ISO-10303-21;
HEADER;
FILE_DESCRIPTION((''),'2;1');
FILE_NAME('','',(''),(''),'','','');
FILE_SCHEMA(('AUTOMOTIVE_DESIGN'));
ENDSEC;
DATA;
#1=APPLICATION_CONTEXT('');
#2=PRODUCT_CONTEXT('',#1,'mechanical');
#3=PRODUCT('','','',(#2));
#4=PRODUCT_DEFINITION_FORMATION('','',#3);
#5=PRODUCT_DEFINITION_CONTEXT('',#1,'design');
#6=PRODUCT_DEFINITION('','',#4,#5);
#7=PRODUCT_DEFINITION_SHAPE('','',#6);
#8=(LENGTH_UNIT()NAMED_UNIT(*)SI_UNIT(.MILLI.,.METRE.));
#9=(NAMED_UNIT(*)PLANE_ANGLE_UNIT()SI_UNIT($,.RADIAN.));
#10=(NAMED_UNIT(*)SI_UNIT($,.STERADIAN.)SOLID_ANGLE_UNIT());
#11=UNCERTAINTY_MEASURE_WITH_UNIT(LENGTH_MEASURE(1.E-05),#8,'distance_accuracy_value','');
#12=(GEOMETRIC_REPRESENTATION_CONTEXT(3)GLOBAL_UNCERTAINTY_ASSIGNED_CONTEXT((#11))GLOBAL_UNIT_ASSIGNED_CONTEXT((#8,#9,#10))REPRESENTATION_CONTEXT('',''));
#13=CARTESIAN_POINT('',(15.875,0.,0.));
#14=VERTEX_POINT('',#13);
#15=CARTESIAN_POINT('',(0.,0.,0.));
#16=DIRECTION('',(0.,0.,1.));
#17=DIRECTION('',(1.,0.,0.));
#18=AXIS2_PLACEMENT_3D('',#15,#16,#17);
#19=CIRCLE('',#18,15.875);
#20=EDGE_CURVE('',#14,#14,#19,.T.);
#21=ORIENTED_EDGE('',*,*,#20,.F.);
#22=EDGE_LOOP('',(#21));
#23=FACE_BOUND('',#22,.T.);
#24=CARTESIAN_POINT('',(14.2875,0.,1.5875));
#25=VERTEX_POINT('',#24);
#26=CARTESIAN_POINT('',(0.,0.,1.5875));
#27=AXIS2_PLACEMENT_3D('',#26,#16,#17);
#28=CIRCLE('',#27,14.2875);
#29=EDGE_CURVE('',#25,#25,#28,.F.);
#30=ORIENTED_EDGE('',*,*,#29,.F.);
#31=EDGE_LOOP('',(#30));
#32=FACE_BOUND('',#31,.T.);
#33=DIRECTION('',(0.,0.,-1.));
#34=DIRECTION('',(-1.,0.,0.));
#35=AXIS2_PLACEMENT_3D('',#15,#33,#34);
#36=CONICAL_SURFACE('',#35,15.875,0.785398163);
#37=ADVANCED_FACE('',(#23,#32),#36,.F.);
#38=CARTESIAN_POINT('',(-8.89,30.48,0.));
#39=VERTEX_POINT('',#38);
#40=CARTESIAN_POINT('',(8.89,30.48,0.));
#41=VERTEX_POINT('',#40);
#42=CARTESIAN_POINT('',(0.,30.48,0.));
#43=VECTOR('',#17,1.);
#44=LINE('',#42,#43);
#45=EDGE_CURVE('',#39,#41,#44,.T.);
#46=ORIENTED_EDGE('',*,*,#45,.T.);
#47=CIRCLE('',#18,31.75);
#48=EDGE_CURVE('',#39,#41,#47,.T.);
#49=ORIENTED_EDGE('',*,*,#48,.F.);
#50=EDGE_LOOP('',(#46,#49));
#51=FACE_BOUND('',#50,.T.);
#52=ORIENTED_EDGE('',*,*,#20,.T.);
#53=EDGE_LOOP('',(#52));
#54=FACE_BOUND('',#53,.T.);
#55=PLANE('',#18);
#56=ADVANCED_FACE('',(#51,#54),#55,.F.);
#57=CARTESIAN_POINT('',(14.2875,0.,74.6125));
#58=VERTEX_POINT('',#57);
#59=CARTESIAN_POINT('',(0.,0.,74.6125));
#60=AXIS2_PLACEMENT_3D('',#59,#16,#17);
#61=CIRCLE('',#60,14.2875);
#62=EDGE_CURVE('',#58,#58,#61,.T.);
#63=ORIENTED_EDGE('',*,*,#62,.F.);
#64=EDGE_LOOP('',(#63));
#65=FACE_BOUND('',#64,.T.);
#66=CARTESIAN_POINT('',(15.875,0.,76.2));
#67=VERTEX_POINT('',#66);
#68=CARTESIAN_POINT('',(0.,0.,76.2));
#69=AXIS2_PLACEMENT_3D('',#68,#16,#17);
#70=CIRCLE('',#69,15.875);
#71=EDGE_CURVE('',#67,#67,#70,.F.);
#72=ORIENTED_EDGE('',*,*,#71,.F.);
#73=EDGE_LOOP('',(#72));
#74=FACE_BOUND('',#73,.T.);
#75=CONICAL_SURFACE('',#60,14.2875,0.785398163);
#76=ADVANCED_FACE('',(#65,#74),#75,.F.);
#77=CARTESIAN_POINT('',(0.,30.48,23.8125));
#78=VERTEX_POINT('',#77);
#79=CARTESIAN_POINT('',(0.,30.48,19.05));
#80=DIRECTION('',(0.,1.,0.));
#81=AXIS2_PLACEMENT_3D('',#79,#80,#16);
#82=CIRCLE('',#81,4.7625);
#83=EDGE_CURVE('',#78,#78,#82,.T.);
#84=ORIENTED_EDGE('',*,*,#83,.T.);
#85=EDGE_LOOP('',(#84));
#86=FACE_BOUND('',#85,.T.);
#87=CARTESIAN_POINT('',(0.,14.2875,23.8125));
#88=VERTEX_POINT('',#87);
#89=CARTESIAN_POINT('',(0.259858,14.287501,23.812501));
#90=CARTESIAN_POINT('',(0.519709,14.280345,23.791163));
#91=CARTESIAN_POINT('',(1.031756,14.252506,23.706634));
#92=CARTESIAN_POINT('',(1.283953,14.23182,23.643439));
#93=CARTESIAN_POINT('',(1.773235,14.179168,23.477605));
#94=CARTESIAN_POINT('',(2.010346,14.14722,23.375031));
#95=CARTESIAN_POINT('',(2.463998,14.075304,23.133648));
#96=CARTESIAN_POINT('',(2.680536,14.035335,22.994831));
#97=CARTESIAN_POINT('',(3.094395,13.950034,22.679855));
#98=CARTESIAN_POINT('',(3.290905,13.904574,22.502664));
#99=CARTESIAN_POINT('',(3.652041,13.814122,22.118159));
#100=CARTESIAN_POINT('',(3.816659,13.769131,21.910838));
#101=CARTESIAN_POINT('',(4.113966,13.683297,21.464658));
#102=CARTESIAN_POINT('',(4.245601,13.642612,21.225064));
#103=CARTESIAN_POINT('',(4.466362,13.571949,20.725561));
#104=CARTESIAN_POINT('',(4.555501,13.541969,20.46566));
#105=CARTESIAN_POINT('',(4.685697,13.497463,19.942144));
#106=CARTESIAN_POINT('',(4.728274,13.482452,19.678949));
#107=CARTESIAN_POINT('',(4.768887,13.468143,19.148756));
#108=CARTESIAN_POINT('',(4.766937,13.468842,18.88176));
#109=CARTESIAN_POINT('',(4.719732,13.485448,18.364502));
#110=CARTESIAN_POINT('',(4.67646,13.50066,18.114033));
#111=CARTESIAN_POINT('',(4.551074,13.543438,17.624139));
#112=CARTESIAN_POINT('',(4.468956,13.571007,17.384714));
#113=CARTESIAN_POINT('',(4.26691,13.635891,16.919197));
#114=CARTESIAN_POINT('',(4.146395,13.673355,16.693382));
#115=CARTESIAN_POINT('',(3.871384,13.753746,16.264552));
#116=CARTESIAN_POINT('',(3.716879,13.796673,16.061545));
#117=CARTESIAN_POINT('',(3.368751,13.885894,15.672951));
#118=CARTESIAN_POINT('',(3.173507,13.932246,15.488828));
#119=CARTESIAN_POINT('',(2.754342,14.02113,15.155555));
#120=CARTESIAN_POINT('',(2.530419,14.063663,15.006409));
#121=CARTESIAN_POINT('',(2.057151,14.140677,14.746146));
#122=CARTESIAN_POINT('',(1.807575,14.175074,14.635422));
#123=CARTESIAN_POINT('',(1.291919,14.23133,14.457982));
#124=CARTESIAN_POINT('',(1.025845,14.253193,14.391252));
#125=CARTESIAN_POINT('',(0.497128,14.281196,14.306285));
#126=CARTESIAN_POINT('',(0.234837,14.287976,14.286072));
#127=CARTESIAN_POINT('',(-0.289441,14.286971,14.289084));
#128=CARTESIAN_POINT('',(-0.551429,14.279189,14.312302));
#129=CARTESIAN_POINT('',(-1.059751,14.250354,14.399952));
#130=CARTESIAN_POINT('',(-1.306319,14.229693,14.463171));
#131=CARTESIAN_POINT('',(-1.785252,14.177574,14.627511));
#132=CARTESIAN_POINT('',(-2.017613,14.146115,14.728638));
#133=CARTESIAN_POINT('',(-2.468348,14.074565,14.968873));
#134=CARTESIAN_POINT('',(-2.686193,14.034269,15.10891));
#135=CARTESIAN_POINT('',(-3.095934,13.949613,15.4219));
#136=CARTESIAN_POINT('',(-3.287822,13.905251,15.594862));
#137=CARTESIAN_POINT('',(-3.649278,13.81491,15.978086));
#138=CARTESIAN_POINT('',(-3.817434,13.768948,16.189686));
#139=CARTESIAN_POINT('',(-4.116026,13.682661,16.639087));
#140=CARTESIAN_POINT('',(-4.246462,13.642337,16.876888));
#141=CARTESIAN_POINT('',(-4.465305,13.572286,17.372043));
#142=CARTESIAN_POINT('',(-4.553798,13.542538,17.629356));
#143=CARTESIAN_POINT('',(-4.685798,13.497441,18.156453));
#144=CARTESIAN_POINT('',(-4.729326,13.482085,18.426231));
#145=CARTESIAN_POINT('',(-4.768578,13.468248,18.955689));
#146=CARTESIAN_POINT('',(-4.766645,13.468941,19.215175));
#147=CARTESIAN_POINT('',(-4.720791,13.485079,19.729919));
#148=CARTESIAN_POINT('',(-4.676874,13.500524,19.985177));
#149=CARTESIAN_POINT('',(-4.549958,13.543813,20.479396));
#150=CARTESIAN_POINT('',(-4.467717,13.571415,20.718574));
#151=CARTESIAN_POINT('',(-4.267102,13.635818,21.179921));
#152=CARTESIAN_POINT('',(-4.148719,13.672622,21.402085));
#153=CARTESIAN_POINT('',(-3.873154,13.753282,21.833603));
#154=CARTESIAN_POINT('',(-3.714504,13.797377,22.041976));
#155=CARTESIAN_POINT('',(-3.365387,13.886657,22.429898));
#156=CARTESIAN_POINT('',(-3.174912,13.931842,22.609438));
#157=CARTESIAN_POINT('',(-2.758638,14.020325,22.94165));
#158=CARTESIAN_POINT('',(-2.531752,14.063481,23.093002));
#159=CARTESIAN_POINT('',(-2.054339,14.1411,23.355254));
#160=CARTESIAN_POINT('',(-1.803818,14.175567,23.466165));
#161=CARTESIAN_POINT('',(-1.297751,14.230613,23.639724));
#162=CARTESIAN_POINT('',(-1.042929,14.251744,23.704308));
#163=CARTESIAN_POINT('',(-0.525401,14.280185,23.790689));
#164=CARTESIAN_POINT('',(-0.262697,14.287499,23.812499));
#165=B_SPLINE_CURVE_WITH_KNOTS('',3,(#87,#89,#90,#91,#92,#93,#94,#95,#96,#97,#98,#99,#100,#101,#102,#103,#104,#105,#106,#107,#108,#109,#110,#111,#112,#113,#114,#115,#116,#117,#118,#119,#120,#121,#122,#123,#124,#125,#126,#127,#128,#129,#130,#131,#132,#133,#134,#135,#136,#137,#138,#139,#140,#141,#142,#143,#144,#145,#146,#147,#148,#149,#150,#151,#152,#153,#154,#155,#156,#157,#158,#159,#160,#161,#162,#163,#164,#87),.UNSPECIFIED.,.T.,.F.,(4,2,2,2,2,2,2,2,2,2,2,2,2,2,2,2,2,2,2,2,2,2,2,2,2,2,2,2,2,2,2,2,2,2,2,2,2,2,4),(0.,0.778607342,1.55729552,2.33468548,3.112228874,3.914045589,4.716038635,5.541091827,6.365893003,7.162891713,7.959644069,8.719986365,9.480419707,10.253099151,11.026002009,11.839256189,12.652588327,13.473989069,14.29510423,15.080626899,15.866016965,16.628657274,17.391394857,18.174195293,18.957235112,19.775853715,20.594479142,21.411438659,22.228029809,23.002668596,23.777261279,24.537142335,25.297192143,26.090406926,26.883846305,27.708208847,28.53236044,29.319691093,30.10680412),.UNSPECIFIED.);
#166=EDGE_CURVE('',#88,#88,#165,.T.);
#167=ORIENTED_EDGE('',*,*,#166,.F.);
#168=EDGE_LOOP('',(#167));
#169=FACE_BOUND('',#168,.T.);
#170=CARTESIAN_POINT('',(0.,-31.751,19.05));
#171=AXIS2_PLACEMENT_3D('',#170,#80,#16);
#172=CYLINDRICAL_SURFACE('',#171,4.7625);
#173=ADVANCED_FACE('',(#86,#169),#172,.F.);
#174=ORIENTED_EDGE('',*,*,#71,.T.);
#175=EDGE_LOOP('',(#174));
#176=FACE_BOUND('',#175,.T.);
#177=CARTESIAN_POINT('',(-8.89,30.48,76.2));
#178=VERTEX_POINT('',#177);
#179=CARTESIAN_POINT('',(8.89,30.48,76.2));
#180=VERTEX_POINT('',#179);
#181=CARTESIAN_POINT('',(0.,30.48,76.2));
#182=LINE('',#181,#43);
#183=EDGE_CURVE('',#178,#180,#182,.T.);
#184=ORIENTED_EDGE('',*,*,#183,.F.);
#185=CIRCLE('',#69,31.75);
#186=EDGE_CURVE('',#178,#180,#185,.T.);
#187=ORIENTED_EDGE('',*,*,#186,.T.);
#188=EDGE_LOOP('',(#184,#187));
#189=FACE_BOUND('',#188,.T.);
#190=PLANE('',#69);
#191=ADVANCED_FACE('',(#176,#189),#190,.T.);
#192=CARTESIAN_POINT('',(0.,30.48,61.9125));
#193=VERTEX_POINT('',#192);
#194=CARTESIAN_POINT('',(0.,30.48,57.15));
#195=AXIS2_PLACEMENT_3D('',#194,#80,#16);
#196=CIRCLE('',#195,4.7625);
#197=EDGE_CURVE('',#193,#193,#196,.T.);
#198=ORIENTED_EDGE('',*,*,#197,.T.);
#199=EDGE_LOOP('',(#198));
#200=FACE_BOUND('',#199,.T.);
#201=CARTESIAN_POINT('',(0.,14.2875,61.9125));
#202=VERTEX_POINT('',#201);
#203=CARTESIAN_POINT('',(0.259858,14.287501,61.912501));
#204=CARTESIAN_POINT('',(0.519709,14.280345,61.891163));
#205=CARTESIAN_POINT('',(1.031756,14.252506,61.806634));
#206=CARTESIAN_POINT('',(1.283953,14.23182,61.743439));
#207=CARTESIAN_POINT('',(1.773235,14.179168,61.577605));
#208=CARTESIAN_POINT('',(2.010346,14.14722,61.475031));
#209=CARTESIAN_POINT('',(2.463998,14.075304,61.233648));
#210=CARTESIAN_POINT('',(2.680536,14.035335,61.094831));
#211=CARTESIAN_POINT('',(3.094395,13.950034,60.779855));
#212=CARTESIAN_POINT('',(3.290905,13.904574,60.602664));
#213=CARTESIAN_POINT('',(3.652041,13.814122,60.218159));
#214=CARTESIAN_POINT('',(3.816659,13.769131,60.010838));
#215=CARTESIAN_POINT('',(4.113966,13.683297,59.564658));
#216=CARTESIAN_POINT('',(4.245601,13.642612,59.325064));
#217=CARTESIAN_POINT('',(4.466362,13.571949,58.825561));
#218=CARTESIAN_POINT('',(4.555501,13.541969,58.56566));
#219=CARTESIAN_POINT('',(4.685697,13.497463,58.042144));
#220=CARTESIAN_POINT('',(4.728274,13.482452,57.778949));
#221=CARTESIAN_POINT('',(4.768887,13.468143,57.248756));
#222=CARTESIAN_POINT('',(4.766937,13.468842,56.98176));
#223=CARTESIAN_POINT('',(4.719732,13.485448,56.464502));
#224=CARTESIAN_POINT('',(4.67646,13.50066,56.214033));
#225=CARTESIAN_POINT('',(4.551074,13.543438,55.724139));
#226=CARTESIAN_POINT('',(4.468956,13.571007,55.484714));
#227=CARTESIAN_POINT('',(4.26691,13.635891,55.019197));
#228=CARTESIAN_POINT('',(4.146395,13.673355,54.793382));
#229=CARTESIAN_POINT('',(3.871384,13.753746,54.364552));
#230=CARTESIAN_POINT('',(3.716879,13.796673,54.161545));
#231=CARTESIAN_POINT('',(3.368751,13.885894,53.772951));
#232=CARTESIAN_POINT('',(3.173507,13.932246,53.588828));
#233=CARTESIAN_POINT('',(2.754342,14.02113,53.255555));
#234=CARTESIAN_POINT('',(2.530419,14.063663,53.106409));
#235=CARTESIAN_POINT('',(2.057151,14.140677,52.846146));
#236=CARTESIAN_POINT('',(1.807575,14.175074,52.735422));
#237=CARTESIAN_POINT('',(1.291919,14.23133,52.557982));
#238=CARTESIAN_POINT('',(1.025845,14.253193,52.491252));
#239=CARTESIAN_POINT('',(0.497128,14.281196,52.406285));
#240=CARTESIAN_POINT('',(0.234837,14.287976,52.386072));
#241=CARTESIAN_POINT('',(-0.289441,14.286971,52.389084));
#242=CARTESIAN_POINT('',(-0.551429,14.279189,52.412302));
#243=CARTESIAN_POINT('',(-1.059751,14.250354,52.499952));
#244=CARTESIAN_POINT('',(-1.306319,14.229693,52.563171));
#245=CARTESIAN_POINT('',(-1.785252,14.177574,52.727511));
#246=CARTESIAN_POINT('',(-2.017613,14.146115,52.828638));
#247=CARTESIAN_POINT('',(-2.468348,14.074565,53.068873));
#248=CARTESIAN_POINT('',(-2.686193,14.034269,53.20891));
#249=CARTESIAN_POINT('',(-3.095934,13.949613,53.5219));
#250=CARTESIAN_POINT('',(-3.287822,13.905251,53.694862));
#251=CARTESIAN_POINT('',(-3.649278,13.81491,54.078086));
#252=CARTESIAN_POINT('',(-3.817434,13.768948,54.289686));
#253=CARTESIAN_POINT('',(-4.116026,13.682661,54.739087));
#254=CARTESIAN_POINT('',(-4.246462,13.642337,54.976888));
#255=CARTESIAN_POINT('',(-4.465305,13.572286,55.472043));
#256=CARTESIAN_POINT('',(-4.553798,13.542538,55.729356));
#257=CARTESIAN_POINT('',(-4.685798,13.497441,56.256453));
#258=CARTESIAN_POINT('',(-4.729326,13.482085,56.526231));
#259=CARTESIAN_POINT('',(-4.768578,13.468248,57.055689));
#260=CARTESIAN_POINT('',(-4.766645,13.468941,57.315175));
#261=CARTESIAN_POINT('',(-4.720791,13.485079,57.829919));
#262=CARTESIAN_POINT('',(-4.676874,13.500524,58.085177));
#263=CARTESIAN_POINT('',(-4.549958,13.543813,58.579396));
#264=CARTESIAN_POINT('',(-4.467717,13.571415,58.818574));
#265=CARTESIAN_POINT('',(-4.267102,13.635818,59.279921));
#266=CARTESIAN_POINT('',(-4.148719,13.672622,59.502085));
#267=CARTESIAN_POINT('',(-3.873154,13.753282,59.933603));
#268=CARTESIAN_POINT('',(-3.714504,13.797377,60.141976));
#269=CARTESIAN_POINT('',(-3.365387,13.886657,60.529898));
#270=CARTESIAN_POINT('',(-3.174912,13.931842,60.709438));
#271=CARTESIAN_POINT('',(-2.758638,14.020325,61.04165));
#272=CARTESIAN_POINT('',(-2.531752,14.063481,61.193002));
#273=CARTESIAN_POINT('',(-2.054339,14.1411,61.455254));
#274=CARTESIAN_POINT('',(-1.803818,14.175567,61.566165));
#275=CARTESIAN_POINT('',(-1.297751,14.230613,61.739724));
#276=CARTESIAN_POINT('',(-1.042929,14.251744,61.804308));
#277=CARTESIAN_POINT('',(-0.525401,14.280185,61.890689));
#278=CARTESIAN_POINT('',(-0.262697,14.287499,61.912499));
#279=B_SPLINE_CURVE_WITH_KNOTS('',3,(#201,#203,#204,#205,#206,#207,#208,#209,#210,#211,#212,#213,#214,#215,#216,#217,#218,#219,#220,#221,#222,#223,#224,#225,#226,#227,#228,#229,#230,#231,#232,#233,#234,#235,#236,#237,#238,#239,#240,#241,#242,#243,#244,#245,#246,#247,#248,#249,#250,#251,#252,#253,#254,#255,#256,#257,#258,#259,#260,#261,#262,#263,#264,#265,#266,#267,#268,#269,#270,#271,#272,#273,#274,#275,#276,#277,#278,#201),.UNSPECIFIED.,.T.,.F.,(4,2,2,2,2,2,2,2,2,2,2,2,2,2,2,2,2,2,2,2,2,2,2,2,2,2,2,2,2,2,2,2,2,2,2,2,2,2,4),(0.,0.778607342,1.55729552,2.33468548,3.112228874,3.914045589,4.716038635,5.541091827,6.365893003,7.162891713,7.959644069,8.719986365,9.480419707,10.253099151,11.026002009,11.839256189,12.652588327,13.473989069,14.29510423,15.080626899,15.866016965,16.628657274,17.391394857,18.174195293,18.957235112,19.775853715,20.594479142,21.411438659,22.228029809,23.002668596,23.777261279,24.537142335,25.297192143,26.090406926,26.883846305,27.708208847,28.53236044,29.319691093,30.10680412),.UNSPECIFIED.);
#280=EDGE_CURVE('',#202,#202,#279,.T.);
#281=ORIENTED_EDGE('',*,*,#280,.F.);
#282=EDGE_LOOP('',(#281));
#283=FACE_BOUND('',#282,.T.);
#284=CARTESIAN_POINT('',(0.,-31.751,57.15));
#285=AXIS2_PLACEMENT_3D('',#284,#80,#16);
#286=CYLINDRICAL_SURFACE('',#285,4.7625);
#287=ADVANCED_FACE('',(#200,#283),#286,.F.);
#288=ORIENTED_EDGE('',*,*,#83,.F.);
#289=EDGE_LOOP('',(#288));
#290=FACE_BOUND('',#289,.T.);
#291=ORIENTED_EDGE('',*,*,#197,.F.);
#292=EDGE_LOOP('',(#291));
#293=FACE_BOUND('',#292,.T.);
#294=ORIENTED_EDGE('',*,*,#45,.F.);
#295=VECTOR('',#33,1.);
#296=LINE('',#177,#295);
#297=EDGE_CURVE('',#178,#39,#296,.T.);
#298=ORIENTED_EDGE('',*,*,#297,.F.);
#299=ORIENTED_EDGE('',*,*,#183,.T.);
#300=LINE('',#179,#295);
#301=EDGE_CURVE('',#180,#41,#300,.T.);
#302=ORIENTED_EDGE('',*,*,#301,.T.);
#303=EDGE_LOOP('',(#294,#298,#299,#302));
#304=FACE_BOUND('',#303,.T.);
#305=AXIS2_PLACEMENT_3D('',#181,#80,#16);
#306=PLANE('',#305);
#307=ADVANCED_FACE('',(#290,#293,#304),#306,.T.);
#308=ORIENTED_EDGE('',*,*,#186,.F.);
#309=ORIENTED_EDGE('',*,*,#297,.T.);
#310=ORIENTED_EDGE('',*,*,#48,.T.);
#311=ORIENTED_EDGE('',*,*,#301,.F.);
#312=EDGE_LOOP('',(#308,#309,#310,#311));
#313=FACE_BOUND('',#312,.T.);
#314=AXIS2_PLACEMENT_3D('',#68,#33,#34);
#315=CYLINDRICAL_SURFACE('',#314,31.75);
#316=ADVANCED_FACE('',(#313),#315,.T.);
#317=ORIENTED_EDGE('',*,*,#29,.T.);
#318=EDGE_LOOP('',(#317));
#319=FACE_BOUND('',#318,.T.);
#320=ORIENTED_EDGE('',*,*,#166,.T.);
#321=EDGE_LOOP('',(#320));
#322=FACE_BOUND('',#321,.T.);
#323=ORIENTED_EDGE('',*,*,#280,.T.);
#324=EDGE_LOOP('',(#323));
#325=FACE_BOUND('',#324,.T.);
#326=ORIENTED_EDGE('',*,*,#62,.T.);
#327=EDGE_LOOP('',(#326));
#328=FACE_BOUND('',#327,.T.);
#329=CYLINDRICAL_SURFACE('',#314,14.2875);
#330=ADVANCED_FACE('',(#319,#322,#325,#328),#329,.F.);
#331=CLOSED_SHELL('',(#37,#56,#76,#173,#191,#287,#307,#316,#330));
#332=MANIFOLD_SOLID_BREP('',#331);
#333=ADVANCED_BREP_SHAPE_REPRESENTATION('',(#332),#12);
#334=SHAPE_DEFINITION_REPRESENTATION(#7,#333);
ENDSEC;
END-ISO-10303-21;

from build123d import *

# Parameters (mm, degrees)
SKETCH1_R           = 14.2875
BOSS_EXTRUDE1_DEPTH = 76.2
CUT_EXTRUDE1_REACH  = 64.23
SKETCH2_R           = 4.7625
CHAMFER1_SIZE       = 1.5875


with BuildPart() as part:
    # Sketch1 → Boss-Extrude1 (new body)
    with BuildSketch(Plane.XY):
        with BuildLine():
            Line((8.89, 30.48), (-8.89, 30.48))
            ThreePointArc((-8.89, 30.48), (-19.05, -25.4), (31.75, 0))
            ThreePointArc((31.75, 0), (25.4, 19.05), (8.89, 30.48))
        make_face()
        Circle(SKETCH1_R, mode=Mode.SUBTRACT)
    extrude(amount=BOSS_EXTRUDE1_DEPTH)

    # Sketch2 → Cut-Extrude1 (cut, up to next)
    with BuildSketch(Plane(origin=(0, 30.48, 0), x_dir=(1, 0, 0), z_dir=(0, 1, 0)), mode=Mode.PRIVATE) as cut_extrude1_sk1:
        with Locations((0, -57.15)):
            Circle(SKETCH2_R)
    cut_extrude1_tool1 = extrude(cut_extrude1_sk1.sketch, amount=-CUT_EXTRUDE1_REACH, mode=Mode.PRIVATE) & part.part
    add(cut_extrude1_tool1.solids().sort_by_distance((0, 30.48, 57.15))[0], mode=Mode.SUBTRACT)
    # Sketch2 → Cut-Extrude1 (cut, up to next)
    with BuildSketch(Plane(origin=(0, 30.48, 0), x_dir=(1, 0, 0), z_dir=(0, 1, 0)), mode=Mode.PRIVATE) as cut_extrude1_sk2:
        with Locations((0, -19.05)):
            Circle(SKETCH2_R)
    cut_extrude1_tool2 = extrude(cut_extrude1_sk2.sketch, amount=-CUT_EXTRUDE1_REACH, mode=Mode.PRIVATE) & part.part
    add(cut_extrude1_tool2.solids().sort_by_distance((0, 30.48, 19.05))[0], mode=Mode.SUBTRACT)

    # Chamfer1
    chamfer1_edges = [part.edges().sort_by_distance(p)[0] for p in [
        (-14.2875, 0, 0),
        (-14.2875, 0, 76.2),
    ]]
    chamfer(chamfer1_edges, length=CHAMFER1_SIZE)


solid = part.part
